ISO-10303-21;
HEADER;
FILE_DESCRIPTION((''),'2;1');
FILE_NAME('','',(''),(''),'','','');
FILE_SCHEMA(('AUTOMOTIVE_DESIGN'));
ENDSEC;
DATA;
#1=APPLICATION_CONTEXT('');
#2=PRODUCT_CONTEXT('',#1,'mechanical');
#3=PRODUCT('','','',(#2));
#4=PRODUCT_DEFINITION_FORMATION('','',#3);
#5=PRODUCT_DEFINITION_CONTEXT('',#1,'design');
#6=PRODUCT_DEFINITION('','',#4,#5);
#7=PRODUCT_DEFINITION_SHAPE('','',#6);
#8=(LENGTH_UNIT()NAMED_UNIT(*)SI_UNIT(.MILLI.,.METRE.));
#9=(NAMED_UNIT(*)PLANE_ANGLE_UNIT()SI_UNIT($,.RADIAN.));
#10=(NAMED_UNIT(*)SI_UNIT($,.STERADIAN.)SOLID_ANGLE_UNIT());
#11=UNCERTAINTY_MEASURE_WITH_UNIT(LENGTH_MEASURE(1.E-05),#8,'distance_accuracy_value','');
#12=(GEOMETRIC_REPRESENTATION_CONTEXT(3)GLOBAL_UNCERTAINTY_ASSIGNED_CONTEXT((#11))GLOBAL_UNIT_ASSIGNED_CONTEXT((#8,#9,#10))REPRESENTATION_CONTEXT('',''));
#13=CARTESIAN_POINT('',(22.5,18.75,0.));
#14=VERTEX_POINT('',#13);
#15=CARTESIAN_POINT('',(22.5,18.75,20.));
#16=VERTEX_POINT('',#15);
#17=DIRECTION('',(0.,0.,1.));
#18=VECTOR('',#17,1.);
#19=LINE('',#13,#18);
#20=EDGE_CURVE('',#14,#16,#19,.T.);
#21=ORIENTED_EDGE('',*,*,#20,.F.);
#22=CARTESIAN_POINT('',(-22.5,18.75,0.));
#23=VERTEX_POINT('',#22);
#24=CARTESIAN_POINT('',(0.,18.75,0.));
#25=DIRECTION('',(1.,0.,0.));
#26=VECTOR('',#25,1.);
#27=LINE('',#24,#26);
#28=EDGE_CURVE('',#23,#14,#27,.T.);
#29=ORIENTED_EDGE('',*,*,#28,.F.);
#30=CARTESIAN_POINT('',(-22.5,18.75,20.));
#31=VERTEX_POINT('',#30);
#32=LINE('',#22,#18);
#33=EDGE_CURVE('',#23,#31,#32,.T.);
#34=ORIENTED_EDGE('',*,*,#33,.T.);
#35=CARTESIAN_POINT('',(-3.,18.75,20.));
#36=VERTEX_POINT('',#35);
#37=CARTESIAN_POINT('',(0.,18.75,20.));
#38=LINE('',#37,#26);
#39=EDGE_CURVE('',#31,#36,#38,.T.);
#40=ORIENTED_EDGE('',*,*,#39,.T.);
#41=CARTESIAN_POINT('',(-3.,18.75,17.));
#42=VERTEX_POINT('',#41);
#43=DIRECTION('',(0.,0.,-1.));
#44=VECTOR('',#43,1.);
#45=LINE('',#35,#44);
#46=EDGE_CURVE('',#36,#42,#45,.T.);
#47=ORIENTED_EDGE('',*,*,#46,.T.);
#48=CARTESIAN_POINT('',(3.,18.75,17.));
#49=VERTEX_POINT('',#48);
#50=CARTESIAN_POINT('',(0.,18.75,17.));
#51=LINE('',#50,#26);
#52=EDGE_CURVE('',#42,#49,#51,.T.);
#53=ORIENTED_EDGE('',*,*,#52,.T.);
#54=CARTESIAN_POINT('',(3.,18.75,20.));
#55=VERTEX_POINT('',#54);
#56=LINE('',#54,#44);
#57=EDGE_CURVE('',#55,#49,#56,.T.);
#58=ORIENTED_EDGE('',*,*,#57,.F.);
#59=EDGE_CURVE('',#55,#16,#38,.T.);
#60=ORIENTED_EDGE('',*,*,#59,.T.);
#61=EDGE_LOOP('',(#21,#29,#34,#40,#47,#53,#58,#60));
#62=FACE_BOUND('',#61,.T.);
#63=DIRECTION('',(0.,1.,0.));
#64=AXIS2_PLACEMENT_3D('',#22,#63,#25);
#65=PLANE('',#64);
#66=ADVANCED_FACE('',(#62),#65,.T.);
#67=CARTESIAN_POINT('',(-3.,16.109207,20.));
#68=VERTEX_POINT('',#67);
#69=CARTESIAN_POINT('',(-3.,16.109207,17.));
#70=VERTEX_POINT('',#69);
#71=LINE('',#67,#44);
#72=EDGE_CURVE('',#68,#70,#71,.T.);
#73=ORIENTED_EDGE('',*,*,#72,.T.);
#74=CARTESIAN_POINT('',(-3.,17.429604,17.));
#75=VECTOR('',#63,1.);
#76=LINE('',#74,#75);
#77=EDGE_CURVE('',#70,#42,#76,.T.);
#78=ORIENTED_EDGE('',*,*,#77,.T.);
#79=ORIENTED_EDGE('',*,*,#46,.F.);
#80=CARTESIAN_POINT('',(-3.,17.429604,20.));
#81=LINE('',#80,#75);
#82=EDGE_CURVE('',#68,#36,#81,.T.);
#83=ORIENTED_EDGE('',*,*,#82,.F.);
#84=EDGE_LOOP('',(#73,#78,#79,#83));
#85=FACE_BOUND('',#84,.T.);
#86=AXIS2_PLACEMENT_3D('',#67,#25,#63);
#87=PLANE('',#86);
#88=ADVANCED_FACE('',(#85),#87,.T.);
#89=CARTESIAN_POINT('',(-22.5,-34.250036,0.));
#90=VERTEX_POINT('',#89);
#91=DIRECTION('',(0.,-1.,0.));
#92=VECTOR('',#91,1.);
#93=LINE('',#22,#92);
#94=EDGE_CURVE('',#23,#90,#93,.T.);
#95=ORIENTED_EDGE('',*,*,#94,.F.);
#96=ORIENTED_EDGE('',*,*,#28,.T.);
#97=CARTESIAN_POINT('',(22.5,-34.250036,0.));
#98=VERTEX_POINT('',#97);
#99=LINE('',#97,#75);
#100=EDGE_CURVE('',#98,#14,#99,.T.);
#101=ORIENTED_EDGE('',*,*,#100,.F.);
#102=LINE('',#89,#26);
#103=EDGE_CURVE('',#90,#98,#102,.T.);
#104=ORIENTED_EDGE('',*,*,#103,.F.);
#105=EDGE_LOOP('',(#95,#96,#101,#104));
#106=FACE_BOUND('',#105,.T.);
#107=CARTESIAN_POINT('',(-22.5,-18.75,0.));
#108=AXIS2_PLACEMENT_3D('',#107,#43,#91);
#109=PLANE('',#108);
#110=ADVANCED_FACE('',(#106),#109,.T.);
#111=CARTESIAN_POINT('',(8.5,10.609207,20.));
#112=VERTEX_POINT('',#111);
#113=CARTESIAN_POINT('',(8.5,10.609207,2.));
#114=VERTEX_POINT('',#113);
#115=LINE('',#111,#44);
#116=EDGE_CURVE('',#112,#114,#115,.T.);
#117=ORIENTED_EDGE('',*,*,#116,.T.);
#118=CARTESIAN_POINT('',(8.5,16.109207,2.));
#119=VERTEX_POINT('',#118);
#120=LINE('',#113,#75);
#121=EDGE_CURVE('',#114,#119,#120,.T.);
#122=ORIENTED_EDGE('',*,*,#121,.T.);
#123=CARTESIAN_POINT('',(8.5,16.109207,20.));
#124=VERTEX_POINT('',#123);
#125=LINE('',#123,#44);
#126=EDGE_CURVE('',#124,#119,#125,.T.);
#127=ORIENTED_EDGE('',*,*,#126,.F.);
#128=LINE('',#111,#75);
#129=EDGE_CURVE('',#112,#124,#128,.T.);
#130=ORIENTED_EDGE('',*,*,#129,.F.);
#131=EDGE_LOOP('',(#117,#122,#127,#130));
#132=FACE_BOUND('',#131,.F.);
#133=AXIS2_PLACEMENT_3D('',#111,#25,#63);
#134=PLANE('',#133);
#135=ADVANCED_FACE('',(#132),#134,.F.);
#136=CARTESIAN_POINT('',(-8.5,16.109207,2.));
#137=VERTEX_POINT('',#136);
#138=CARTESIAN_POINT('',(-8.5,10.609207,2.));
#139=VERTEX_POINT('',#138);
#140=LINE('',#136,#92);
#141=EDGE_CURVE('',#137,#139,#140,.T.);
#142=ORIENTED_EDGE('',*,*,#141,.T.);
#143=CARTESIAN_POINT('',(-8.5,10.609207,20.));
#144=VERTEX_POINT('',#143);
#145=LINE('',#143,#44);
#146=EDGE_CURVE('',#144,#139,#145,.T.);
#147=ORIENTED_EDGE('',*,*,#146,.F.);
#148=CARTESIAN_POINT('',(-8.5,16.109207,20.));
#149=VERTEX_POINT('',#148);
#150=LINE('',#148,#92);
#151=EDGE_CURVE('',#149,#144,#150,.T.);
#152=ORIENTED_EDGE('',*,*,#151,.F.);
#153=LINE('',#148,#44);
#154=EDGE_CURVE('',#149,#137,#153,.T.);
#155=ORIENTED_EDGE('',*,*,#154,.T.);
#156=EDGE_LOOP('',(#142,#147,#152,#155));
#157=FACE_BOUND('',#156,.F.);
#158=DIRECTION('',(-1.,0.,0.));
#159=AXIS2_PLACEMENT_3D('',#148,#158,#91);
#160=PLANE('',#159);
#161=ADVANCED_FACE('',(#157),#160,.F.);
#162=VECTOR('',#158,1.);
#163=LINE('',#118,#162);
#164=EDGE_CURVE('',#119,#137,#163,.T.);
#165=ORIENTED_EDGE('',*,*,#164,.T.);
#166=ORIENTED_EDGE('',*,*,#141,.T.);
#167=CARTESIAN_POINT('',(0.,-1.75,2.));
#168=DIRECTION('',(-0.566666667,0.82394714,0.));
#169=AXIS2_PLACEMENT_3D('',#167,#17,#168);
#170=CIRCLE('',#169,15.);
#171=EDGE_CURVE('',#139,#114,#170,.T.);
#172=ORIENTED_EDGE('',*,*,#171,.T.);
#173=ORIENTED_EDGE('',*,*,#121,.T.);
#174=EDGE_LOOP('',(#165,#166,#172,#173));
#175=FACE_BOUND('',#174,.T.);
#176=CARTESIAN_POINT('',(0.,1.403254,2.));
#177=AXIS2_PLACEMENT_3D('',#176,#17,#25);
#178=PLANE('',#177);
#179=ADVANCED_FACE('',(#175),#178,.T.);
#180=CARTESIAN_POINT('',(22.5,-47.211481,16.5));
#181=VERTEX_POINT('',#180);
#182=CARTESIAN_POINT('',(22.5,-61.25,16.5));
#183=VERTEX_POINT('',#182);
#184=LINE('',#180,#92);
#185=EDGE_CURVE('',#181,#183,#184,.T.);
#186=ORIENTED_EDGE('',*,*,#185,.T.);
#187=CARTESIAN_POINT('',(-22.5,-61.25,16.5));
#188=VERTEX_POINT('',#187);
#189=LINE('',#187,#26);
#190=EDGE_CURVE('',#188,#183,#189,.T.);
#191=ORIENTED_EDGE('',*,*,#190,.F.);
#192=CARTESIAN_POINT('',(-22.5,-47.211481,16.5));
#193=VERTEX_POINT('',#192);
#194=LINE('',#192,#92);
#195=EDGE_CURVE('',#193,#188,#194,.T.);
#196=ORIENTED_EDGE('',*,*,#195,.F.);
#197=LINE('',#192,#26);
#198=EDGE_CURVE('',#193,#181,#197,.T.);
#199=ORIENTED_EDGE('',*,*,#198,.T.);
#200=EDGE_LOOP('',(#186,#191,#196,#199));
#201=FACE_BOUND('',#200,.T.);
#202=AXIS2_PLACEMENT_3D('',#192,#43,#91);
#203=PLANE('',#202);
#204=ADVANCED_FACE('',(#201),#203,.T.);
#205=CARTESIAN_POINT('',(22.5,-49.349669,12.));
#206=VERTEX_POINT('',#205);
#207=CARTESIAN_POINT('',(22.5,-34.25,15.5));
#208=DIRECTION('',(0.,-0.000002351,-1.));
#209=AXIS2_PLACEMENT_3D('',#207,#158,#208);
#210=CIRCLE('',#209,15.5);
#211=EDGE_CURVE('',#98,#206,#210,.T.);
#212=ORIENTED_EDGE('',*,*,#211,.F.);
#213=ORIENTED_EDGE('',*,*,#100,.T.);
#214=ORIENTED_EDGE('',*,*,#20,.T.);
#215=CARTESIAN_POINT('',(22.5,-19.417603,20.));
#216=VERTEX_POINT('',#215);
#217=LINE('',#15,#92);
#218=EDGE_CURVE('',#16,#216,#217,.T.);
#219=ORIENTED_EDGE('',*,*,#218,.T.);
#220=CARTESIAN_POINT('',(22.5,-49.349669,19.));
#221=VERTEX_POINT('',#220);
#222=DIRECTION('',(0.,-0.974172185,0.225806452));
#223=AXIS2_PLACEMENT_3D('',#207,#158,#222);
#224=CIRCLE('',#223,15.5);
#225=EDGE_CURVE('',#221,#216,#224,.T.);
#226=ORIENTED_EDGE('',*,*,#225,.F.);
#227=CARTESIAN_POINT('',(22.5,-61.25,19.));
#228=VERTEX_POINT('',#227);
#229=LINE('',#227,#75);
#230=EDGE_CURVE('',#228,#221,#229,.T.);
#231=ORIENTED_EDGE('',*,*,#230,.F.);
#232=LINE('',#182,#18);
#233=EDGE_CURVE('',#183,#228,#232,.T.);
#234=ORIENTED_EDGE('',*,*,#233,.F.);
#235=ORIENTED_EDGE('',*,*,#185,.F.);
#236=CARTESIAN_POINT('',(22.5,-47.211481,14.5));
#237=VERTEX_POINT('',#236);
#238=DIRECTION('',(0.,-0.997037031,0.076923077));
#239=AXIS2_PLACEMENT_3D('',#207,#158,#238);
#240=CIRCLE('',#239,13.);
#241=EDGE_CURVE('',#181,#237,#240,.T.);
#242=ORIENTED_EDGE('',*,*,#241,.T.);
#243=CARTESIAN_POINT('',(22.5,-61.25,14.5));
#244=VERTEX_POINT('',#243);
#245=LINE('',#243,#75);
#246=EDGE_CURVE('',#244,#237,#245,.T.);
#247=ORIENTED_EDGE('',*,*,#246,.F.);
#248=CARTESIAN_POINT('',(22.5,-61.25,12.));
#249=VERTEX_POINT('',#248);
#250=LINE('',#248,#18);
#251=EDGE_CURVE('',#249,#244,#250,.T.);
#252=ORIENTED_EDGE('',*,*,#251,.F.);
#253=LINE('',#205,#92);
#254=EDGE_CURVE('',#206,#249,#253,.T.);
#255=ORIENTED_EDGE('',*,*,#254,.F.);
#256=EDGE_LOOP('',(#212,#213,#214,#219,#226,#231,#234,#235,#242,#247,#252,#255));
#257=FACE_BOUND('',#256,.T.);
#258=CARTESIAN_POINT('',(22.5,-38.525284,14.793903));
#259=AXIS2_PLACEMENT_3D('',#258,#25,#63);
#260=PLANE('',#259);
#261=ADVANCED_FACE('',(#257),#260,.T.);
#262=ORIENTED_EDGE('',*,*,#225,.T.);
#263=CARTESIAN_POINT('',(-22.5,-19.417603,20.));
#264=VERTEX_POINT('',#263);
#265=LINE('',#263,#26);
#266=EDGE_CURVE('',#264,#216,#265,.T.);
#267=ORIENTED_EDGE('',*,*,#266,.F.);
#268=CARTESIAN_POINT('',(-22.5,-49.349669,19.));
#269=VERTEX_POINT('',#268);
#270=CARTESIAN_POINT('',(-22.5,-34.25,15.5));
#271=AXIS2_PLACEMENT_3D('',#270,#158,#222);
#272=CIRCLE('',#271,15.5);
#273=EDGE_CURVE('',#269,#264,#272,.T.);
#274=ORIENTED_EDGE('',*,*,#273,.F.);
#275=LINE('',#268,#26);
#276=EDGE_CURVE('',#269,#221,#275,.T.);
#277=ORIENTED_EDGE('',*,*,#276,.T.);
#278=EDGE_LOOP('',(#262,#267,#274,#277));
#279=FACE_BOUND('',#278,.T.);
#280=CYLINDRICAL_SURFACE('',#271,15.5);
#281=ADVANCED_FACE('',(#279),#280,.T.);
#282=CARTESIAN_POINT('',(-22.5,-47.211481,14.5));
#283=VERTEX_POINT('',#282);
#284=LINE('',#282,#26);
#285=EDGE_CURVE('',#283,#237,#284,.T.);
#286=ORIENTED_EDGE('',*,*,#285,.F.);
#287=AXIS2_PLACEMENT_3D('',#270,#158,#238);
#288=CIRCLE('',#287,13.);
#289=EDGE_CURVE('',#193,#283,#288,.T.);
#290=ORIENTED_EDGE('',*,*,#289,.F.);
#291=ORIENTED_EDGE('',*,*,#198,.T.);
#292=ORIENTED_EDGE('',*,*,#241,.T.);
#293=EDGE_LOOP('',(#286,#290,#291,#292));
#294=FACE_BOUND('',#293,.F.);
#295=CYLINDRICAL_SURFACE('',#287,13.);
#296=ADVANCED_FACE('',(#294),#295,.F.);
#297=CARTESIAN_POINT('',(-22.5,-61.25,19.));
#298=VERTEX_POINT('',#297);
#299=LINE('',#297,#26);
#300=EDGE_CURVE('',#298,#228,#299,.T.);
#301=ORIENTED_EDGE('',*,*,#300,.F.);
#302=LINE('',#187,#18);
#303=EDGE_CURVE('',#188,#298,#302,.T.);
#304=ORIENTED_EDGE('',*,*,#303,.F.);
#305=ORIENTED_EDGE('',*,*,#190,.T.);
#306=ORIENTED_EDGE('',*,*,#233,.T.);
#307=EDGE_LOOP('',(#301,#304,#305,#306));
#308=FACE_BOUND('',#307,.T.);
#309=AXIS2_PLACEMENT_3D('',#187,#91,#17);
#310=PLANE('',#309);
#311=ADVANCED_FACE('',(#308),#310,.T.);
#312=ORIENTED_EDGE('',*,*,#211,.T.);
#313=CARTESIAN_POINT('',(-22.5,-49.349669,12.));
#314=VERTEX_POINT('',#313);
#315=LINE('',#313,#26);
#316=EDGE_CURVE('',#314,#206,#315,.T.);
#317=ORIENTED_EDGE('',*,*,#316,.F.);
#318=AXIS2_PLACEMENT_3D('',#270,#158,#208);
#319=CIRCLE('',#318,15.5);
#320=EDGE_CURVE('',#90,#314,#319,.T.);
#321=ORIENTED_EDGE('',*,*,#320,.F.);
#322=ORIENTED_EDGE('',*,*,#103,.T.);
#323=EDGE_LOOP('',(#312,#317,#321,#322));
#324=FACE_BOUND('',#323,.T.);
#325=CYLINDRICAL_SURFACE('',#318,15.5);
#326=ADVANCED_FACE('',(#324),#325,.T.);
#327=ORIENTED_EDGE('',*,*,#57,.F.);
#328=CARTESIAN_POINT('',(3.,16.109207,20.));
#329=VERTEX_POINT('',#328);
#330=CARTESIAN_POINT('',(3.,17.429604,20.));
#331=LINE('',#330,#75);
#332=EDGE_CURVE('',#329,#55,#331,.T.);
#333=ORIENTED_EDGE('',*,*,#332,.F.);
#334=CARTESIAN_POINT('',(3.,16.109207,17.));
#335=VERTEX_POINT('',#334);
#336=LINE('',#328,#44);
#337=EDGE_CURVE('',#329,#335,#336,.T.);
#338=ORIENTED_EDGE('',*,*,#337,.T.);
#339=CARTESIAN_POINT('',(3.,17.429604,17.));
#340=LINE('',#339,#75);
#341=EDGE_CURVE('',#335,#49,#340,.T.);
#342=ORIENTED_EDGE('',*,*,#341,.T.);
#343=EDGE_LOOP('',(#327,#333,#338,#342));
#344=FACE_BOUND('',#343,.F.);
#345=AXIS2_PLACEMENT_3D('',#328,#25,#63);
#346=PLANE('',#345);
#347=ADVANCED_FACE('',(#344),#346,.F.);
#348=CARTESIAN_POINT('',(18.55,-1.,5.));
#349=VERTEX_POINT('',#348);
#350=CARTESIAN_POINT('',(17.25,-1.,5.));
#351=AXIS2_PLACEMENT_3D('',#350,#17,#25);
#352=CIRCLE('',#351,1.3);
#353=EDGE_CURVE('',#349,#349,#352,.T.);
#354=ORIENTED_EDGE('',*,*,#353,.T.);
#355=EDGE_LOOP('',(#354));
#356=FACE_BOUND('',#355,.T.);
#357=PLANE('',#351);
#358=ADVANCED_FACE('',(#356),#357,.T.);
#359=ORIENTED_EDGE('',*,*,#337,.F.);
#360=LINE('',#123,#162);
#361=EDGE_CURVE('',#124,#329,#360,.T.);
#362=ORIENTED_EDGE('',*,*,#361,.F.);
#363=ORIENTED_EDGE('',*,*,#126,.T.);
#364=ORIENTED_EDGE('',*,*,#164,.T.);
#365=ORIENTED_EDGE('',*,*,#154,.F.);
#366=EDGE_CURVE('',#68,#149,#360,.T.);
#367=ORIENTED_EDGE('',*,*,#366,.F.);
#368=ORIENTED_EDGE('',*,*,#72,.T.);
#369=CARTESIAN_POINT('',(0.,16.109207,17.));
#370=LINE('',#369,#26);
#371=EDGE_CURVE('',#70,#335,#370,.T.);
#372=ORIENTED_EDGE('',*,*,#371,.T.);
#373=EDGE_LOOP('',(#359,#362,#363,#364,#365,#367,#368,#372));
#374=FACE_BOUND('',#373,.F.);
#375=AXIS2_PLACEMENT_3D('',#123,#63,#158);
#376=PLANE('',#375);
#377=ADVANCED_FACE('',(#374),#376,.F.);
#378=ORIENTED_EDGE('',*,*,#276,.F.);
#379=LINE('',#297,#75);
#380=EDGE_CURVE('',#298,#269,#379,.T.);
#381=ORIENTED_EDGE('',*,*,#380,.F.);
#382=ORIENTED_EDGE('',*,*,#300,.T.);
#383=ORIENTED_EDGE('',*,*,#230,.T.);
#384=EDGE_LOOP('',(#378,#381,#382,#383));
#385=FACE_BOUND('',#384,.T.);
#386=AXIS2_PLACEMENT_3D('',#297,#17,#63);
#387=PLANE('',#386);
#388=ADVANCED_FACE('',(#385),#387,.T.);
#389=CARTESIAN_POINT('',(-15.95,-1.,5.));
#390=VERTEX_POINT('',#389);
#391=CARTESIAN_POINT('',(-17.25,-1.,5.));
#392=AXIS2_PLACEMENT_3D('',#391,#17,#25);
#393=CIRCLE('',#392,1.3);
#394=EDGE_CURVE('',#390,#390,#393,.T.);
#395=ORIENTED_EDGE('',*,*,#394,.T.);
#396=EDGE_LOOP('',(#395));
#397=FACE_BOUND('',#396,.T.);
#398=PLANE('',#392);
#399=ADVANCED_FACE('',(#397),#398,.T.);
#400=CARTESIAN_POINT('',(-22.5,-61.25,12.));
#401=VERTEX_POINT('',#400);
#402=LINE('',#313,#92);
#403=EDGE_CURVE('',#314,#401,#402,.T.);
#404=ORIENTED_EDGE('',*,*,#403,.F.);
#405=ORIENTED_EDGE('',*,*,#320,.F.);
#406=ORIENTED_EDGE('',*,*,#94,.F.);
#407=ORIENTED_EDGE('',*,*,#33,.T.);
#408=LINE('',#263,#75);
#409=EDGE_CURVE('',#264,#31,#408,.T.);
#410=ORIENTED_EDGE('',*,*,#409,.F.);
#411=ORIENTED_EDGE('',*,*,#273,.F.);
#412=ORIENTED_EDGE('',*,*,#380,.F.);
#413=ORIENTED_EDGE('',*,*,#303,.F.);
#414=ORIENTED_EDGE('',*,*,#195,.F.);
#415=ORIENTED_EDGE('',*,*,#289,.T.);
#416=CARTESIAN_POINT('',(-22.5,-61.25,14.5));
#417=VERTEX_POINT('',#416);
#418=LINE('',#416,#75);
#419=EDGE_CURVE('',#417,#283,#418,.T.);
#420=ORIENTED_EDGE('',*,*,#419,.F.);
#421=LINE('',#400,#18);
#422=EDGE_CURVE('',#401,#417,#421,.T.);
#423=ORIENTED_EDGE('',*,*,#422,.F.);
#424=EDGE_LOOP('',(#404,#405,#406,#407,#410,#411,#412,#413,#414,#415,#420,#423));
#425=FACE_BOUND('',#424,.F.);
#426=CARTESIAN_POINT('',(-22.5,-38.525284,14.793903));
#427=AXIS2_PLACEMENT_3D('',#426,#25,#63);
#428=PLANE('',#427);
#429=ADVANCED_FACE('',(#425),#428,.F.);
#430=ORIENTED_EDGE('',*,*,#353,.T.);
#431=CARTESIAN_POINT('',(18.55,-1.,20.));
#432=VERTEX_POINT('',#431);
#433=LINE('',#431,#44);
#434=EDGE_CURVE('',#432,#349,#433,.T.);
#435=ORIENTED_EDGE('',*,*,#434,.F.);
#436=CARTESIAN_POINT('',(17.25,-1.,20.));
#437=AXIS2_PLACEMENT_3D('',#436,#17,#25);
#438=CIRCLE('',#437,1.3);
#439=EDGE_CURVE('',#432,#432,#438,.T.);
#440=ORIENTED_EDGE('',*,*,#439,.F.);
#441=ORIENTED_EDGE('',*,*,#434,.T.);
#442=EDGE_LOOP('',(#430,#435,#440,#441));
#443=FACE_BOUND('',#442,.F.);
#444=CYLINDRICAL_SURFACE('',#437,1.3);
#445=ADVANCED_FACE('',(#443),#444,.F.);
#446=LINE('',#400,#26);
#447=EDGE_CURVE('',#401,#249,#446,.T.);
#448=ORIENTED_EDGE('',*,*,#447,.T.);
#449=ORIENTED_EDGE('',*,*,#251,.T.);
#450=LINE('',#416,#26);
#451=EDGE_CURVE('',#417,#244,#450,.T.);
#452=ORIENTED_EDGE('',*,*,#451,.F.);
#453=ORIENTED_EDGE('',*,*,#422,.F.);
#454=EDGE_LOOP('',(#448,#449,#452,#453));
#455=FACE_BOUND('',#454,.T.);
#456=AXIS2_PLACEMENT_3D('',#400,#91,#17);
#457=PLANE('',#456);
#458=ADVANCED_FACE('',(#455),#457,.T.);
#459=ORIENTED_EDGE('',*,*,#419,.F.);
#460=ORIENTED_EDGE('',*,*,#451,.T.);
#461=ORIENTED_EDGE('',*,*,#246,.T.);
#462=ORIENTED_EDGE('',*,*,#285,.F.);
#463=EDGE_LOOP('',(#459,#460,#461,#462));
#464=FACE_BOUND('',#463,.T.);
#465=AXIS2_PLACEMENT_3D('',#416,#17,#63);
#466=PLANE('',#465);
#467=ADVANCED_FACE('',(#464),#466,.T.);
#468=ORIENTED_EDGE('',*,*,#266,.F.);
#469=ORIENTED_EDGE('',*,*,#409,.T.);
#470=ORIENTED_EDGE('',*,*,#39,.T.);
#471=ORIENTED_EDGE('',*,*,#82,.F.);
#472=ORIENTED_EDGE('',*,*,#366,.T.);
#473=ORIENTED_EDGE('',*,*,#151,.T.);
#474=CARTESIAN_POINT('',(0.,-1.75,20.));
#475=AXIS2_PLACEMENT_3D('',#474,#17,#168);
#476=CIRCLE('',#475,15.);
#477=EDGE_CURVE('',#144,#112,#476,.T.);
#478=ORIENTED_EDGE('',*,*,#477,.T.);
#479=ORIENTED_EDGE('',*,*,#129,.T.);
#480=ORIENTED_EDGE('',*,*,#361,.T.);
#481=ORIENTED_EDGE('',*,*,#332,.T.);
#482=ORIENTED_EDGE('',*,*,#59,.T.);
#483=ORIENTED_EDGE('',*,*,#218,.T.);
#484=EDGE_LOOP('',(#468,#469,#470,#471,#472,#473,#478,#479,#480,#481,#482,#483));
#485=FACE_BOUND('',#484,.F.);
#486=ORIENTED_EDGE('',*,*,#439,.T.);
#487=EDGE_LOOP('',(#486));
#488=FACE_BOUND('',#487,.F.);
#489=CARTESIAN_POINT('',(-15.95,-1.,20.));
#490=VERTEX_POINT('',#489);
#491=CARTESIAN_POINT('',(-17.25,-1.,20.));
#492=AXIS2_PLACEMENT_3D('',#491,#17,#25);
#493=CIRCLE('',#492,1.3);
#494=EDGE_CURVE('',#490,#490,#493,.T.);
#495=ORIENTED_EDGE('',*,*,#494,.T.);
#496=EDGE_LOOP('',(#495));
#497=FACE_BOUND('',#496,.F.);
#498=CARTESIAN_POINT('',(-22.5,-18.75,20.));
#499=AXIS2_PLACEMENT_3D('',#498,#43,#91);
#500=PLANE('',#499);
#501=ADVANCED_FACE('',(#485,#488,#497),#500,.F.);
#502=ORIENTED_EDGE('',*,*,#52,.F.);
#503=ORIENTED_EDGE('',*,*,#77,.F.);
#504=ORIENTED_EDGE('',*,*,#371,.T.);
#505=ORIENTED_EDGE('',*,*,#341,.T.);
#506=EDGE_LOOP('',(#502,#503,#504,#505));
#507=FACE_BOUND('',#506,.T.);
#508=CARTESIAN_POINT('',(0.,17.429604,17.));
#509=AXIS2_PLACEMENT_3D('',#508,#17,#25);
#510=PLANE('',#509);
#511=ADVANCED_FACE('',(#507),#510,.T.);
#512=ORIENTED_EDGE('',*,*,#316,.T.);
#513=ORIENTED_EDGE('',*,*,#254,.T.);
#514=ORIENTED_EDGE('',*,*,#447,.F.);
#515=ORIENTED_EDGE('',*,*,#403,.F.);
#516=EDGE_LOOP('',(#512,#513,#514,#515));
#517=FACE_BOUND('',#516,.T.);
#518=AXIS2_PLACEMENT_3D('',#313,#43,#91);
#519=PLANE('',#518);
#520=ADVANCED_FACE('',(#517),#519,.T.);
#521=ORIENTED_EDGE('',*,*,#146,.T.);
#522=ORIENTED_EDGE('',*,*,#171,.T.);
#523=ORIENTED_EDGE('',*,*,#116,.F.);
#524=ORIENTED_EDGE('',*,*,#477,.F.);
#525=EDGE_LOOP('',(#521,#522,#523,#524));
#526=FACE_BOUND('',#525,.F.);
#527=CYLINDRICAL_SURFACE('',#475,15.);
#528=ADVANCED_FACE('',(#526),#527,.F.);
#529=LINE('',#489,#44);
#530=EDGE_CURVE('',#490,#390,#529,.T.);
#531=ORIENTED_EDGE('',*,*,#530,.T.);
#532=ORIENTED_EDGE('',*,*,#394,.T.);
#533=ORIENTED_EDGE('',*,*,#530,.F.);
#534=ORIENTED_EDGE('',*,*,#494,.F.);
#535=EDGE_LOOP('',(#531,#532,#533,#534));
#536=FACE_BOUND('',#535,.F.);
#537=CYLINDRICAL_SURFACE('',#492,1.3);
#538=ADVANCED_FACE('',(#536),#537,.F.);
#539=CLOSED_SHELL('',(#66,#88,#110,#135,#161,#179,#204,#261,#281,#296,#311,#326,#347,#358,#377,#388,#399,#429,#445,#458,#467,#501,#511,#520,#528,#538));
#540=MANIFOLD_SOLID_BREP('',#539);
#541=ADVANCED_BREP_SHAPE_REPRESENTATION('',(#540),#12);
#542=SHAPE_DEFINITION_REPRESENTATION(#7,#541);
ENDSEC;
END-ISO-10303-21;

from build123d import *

# Parameters (mm, degrees)
SKETCH_W        = 45
SKETCH_H        = 37.5
PAD_DEPTH       = 20
POCKET_DEPTH    = 18
SKETCH002_R     = 1.3
POCKET003_DEPTH = 15
SKETCH003_W     = 6
SKETCH003_H     = 2.6407929057
POCKET001_DEPTH = 3
PAD002_DEPTH    = 45


with BuildPart() as part:
    # Sketch → Pad (new body)
    with BuildSketch(Plane.XY):
        Rectangle(SKETCH_W, SKETCH_H)
    extrude(amount=PAD_DEPTH)

    # Sketch001 (on Face6 of Pad) → Pocket (cut)
    with BuildSketch(Plane.XY.offset(20)):
        with BuildLine():
            Line((8.5, 10.6092070943), (8.5, 16.1092070943))
            Line((8.5, 16.1092070943), (-8.5, 16.1092070943))
            Line((-8.5, 16.1092070943), (-8.5, 10.6092070943))
            ThreePointArc((-8.5, 10.6092070943), (0, -16.75), (8.5, 10.6092070943))
        make_face()
    extrude(amount=-POCKET_DEPTH, mode=Mode.SUBTRACT)

    # Sketch002 (on Face5 of Pocket) → Pocket003 (cut)
    with BuildSketch(Plane.XY.offset(20)):
        with Locations((-17.25, -1)):
            Circle(SKETCH002_R)
        with Locations((17.25, -1)):
            Circle(SKETCH002_R)
    extrude(amount=-POCKET003_DEPTH, mode=Mode.SUBTRACT)

    # Sketch003 (on Face5 of Pocket003) → Pocket001 (cut)
    with BuildSketch(Plane.XY.offset(20)):
        with Locations((0, 17.4296035472)):
            Rectangle(SKETCH003_W, SKETCH003_H)
    extrude(amount=-POCKET001_DEPTH, mode=Mode.SUBTRACT)

    # Sketch006 (on Face8 of Pocket001) → Pad002 (join)
    with BuildSketch(Plane(origin=(-22.5, 0, 0), x_dir=(0, -1, 0), z_dir=(-1, 0, 0))):
        with BuildLine():
            ThreePointArc((47.2114813968, 16.5), (21.25, 15.5), (47.2114813968, 14.5))
            Line((61.25, 14.5), (47.2114813968, 14.5))
            Line((61.25, 12), (61.25, 14.5))
            Line((49.3496688705, 12), (61.25, 12))
            ThreePointArc((34.2500364402, 0), (43.8936650252, 3.3653502365), (49.3496688705, 12))
            Line((18.75, 0), (34.2500364402, 0))
            Line((18.75, 0), (18.75, 20))
            Line((18.75, 20), (19.4176030258, 20))
            ThreePointArc((49.3496688705, 19), (34.767550545, 30.9913569913), (19.4176030258, 20))
            Line((61.25, 19), (49.3496688705, 19))
            Line((61.25, 16.5), (61.25, 19))
            Line((47.2114813968, 16.5), (61.25, 16.5))
        make_face()
    extrude(amount=-PAD002_DEPTH)


solid = part.part
